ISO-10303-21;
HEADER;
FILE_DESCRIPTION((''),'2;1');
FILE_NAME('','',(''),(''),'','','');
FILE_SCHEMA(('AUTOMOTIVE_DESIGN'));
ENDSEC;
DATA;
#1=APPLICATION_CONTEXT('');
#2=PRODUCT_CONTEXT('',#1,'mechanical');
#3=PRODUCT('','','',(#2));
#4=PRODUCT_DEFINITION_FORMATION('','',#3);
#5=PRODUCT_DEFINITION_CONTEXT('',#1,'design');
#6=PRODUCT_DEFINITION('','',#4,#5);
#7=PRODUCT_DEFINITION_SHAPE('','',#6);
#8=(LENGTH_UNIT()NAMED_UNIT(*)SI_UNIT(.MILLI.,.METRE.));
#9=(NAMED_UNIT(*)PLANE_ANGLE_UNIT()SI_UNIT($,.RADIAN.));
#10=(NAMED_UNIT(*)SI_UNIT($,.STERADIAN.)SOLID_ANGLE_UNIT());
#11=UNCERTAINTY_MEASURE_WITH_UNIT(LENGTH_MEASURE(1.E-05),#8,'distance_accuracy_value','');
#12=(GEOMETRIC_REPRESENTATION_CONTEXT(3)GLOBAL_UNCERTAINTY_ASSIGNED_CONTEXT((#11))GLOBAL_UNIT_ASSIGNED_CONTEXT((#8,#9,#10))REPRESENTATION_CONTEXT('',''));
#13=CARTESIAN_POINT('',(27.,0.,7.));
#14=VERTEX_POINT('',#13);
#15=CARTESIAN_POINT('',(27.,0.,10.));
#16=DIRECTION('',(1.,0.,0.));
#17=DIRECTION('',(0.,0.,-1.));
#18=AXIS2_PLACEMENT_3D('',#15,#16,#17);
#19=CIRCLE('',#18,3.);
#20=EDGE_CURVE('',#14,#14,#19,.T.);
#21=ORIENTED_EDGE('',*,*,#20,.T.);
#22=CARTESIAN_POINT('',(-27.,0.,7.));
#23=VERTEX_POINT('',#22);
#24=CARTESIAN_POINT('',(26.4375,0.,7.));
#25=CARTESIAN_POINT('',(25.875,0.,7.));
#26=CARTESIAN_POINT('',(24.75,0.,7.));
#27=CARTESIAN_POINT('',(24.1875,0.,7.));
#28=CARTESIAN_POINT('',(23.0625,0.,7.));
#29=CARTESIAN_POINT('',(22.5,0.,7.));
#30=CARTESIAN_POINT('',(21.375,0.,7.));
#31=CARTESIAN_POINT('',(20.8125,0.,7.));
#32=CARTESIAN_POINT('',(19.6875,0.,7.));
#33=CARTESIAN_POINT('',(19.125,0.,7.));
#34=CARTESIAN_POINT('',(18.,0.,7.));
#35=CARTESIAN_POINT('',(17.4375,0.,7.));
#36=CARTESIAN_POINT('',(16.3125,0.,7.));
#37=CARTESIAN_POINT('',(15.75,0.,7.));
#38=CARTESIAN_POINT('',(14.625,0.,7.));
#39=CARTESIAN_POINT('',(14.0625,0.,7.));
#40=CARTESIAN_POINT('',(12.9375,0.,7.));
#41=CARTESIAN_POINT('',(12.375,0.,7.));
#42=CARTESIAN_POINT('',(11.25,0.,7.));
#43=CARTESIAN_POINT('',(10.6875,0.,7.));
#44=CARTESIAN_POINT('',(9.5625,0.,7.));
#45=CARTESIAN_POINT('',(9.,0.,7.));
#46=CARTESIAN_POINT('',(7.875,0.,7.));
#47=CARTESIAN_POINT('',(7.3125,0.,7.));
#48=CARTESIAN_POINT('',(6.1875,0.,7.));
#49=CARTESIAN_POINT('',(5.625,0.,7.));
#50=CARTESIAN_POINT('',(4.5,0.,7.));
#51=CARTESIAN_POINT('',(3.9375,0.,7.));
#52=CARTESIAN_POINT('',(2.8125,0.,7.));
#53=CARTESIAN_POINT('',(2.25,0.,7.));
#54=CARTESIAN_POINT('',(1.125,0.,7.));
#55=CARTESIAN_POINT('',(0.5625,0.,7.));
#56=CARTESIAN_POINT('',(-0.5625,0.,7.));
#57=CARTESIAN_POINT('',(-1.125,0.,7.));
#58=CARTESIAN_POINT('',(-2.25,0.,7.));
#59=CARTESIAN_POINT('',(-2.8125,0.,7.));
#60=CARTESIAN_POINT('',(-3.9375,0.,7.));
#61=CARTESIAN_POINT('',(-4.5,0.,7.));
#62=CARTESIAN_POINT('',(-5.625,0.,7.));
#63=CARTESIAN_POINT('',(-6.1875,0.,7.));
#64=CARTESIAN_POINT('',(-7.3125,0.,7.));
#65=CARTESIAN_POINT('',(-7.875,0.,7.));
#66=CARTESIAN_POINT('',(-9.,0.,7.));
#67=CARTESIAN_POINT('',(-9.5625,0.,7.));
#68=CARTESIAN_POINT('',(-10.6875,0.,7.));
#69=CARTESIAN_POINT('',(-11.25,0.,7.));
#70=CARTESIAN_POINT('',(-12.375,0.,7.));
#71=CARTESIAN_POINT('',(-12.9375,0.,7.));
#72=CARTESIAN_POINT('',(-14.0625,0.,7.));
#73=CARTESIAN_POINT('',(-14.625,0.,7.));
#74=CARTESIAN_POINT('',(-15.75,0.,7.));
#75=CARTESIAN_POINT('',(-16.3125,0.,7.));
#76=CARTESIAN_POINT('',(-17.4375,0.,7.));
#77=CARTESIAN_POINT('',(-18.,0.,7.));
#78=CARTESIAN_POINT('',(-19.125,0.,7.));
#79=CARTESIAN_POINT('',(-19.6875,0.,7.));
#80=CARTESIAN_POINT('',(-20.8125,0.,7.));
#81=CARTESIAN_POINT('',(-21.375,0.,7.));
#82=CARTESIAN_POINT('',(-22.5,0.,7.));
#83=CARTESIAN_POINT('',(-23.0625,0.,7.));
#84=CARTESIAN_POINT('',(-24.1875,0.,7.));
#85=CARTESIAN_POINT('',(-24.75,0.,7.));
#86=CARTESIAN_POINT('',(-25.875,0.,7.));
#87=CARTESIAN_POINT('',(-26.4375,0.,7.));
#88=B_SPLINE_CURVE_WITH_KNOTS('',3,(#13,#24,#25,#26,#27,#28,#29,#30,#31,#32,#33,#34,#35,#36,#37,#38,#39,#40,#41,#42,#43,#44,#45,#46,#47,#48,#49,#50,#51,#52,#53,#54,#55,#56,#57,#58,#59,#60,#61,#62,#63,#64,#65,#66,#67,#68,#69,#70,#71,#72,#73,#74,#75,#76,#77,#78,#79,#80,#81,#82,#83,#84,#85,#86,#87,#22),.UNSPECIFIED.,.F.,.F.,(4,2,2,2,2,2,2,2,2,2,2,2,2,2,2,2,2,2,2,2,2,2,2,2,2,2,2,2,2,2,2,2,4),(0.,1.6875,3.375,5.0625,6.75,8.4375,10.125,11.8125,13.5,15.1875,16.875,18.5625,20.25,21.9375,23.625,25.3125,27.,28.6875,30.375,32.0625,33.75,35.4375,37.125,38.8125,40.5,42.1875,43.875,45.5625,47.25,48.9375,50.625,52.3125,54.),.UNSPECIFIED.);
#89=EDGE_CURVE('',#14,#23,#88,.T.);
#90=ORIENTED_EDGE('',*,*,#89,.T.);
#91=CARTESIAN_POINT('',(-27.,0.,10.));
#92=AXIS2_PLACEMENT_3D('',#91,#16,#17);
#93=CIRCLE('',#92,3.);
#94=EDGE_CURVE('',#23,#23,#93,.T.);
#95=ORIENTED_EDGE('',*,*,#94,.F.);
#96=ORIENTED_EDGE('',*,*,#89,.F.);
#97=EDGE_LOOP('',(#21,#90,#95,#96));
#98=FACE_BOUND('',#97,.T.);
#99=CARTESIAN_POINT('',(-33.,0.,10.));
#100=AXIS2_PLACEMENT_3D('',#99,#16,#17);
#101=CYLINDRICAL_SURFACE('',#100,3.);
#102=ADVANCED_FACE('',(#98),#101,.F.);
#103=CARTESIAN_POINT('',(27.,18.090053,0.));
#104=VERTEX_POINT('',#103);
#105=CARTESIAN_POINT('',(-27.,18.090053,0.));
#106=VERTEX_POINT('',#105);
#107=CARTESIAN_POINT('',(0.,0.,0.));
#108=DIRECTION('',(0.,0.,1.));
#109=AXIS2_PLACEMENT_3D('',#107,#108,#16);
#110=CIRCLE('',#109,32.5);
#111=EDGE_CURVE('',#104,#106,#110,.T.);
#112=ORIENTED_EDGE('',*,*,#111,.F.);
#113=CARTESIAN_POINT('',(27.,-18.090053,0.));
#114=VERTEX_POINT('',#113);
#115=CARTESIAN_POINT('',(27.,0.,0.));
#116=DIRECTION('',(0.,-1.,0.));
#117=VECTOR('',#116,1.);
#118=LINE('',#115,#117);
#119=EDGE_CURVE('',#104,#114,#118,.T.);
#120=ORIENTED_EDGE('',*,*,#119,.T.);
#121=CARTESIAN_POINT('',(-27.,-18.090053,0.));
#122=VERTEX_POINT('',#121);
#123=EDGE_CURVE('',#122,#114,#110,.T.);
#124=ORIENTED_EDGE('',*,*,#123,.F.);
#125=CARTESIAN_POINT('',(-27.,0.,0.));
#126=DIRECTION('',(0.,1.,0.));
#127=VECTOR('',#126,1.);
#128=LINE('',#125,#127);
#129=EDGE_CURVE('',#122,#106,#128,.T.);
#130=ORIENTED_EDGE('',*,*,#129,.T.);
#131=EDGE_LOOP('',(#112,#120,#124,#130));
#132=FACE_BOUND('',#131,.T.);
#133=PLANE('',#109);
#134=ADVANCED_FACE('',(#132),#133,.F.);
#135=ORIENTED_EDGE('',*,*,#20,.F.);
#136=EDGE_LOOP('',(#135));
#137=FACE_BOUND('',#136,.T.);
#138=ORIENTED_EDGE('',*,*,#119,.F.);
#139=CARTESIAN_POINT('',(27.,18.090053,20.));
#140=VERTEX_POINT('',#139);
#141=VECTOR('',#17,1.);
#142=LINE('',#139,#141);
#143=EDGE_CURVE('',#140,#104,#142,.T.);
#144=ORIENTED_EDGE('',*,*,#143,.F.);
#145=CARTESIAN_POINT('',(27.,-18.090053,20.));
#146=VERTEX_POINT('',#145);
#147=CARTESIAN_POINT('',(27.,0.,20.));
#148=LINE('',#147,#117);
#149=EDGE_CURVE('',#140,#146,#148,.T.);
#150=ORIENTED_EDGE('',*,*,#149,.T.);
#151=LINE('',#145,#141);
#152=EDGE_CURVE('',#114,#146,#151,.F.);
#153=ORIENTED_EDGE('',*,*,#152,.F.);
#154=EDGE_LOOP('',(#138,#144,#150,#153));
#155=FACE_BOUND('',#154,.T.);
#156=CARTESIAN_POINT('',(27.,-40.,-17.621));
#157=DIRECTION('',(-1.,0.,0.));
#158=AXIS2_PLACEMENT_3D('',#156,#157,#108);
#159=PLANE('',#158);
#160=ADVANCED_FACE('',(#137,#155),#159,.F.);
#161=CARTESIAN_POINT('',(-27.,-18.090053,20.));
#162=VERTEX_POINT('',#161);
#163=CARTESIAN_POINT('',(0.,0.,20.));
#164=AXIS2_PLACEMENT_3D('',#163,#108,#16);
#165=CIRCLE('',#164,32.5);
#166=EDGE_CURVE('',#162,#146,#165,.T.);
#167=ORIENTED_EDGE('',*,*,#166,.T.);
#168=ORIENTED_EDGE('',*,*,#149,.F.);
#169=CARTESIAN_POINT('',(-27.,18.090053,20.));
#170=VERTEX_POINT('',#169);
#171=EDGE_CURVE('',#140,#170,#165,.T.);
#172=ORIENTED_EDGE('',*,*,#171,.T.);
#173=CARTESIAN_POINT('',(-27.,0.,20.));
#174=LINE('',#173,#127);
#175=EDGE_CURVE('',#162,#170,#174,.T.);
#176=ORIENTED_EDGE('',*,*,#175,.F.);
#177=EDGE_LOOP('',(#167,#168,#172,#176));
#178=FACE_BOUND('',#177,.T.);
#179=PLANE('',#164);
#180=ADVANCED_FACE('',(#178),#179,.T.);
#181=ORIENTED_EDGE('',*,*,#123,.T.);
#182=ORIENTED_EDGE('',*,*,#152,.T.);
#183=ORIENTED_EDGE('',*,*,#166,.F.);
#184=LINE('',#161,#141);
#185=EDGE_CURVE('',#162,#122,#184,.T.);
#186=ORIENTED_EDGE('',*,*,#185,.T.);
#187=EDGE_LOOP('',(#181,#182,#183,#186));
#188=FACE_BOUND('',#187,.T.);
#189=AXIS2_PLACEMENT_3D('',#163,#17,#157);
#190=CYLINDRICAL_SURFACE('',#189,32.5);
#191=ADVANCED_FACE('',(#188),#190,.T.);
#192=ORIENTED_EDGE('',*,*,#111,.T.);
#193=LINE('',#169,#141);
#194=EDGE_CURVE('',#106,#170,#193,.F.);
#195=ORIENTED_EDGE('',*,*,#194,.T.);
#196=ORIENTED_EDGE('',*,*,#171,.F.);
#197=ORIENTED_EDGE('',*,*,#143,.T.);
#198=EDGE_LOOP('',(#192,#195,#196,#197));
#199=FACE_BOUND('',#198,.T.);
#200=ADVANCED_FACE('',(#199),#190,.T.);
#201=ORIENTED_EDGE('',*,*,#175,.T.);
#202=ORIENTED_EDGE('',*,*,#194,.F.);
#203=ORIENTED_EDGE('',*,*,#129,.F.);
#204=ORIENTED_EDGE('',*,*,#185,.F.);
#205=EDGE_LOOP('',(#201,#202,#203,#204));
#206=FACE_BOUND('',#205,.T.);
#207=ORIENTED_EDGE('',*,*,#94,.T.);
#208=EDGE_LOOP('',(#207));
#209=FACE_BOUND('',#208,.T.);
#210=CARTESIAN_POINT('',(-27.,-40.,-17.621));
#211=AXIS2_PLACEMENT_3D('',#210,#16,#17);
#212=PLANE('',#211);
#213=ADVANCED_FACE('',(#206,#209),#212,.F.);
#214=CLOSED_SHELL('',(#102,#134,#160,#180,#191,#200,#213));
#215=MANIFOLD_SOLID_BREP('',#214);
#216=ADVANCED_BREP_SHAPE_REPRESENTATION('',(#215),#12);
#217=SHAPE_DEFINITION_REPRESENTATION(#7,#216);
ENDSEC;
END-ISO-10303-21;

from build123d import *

# Parameters (mm, degrees)
SKETCH_3_R          = 32.5
EXTRUDE_3_DEPTH     = 20
SKETCH_4_W          = 17.889883514
SKETCH_4_H          = 45.147936345
SKETCH_4_W_2        = 17.954509811
CUT_EXTRUDE_1_DEPTH = 40
SKETCH_5_R          = 3
CUT_EXTRUDE_2_DEPTH = 60


with BuildPart() as part:
    # Эскиз3 → Вытянуть3 (new body)
    with BuildSketch(Plane.XY):
        Circle(SKETCH_3_R)
    extrude(amount=EXTRUDE_3_DEPTH)

    # Эскиз4 → Вырез-Вытянуть1 (cut, symmetric)
    with BuildSketch(Plane(origin=(0, 0, 0), x_dir=(1, 0, 0), z_dir=(0, 1, 0))):
        with Locations((-35.944941757, -4.95296847)):
            Rectangle(SKETCH_4_W, SKETCH_4_H)
        with Locations((35.977254906, -4.95296847)):
            Rectangle(SKETCH_4_W_2, SKETCH_4_H)
    extrude(amount=CUT_EXTRUDE_1_DEPTH, both=True, mode=Mode.SUBTRACT)

    # Эскиз5 → Вырез-Вытянуть2 (cut)
    with BuildSketch(Plane(origin=(27, 0, 0), x_dir=(0, 0, -1), z_dir=(1, 0, 0))):
        with Locations((-10, 0)):
            Circle(SKETCH_5_R)
    extrude(amount=-CUT_EXTRUDE_2_DEPTH, mode=Mode.SUBTRACT)


solid = part.part
